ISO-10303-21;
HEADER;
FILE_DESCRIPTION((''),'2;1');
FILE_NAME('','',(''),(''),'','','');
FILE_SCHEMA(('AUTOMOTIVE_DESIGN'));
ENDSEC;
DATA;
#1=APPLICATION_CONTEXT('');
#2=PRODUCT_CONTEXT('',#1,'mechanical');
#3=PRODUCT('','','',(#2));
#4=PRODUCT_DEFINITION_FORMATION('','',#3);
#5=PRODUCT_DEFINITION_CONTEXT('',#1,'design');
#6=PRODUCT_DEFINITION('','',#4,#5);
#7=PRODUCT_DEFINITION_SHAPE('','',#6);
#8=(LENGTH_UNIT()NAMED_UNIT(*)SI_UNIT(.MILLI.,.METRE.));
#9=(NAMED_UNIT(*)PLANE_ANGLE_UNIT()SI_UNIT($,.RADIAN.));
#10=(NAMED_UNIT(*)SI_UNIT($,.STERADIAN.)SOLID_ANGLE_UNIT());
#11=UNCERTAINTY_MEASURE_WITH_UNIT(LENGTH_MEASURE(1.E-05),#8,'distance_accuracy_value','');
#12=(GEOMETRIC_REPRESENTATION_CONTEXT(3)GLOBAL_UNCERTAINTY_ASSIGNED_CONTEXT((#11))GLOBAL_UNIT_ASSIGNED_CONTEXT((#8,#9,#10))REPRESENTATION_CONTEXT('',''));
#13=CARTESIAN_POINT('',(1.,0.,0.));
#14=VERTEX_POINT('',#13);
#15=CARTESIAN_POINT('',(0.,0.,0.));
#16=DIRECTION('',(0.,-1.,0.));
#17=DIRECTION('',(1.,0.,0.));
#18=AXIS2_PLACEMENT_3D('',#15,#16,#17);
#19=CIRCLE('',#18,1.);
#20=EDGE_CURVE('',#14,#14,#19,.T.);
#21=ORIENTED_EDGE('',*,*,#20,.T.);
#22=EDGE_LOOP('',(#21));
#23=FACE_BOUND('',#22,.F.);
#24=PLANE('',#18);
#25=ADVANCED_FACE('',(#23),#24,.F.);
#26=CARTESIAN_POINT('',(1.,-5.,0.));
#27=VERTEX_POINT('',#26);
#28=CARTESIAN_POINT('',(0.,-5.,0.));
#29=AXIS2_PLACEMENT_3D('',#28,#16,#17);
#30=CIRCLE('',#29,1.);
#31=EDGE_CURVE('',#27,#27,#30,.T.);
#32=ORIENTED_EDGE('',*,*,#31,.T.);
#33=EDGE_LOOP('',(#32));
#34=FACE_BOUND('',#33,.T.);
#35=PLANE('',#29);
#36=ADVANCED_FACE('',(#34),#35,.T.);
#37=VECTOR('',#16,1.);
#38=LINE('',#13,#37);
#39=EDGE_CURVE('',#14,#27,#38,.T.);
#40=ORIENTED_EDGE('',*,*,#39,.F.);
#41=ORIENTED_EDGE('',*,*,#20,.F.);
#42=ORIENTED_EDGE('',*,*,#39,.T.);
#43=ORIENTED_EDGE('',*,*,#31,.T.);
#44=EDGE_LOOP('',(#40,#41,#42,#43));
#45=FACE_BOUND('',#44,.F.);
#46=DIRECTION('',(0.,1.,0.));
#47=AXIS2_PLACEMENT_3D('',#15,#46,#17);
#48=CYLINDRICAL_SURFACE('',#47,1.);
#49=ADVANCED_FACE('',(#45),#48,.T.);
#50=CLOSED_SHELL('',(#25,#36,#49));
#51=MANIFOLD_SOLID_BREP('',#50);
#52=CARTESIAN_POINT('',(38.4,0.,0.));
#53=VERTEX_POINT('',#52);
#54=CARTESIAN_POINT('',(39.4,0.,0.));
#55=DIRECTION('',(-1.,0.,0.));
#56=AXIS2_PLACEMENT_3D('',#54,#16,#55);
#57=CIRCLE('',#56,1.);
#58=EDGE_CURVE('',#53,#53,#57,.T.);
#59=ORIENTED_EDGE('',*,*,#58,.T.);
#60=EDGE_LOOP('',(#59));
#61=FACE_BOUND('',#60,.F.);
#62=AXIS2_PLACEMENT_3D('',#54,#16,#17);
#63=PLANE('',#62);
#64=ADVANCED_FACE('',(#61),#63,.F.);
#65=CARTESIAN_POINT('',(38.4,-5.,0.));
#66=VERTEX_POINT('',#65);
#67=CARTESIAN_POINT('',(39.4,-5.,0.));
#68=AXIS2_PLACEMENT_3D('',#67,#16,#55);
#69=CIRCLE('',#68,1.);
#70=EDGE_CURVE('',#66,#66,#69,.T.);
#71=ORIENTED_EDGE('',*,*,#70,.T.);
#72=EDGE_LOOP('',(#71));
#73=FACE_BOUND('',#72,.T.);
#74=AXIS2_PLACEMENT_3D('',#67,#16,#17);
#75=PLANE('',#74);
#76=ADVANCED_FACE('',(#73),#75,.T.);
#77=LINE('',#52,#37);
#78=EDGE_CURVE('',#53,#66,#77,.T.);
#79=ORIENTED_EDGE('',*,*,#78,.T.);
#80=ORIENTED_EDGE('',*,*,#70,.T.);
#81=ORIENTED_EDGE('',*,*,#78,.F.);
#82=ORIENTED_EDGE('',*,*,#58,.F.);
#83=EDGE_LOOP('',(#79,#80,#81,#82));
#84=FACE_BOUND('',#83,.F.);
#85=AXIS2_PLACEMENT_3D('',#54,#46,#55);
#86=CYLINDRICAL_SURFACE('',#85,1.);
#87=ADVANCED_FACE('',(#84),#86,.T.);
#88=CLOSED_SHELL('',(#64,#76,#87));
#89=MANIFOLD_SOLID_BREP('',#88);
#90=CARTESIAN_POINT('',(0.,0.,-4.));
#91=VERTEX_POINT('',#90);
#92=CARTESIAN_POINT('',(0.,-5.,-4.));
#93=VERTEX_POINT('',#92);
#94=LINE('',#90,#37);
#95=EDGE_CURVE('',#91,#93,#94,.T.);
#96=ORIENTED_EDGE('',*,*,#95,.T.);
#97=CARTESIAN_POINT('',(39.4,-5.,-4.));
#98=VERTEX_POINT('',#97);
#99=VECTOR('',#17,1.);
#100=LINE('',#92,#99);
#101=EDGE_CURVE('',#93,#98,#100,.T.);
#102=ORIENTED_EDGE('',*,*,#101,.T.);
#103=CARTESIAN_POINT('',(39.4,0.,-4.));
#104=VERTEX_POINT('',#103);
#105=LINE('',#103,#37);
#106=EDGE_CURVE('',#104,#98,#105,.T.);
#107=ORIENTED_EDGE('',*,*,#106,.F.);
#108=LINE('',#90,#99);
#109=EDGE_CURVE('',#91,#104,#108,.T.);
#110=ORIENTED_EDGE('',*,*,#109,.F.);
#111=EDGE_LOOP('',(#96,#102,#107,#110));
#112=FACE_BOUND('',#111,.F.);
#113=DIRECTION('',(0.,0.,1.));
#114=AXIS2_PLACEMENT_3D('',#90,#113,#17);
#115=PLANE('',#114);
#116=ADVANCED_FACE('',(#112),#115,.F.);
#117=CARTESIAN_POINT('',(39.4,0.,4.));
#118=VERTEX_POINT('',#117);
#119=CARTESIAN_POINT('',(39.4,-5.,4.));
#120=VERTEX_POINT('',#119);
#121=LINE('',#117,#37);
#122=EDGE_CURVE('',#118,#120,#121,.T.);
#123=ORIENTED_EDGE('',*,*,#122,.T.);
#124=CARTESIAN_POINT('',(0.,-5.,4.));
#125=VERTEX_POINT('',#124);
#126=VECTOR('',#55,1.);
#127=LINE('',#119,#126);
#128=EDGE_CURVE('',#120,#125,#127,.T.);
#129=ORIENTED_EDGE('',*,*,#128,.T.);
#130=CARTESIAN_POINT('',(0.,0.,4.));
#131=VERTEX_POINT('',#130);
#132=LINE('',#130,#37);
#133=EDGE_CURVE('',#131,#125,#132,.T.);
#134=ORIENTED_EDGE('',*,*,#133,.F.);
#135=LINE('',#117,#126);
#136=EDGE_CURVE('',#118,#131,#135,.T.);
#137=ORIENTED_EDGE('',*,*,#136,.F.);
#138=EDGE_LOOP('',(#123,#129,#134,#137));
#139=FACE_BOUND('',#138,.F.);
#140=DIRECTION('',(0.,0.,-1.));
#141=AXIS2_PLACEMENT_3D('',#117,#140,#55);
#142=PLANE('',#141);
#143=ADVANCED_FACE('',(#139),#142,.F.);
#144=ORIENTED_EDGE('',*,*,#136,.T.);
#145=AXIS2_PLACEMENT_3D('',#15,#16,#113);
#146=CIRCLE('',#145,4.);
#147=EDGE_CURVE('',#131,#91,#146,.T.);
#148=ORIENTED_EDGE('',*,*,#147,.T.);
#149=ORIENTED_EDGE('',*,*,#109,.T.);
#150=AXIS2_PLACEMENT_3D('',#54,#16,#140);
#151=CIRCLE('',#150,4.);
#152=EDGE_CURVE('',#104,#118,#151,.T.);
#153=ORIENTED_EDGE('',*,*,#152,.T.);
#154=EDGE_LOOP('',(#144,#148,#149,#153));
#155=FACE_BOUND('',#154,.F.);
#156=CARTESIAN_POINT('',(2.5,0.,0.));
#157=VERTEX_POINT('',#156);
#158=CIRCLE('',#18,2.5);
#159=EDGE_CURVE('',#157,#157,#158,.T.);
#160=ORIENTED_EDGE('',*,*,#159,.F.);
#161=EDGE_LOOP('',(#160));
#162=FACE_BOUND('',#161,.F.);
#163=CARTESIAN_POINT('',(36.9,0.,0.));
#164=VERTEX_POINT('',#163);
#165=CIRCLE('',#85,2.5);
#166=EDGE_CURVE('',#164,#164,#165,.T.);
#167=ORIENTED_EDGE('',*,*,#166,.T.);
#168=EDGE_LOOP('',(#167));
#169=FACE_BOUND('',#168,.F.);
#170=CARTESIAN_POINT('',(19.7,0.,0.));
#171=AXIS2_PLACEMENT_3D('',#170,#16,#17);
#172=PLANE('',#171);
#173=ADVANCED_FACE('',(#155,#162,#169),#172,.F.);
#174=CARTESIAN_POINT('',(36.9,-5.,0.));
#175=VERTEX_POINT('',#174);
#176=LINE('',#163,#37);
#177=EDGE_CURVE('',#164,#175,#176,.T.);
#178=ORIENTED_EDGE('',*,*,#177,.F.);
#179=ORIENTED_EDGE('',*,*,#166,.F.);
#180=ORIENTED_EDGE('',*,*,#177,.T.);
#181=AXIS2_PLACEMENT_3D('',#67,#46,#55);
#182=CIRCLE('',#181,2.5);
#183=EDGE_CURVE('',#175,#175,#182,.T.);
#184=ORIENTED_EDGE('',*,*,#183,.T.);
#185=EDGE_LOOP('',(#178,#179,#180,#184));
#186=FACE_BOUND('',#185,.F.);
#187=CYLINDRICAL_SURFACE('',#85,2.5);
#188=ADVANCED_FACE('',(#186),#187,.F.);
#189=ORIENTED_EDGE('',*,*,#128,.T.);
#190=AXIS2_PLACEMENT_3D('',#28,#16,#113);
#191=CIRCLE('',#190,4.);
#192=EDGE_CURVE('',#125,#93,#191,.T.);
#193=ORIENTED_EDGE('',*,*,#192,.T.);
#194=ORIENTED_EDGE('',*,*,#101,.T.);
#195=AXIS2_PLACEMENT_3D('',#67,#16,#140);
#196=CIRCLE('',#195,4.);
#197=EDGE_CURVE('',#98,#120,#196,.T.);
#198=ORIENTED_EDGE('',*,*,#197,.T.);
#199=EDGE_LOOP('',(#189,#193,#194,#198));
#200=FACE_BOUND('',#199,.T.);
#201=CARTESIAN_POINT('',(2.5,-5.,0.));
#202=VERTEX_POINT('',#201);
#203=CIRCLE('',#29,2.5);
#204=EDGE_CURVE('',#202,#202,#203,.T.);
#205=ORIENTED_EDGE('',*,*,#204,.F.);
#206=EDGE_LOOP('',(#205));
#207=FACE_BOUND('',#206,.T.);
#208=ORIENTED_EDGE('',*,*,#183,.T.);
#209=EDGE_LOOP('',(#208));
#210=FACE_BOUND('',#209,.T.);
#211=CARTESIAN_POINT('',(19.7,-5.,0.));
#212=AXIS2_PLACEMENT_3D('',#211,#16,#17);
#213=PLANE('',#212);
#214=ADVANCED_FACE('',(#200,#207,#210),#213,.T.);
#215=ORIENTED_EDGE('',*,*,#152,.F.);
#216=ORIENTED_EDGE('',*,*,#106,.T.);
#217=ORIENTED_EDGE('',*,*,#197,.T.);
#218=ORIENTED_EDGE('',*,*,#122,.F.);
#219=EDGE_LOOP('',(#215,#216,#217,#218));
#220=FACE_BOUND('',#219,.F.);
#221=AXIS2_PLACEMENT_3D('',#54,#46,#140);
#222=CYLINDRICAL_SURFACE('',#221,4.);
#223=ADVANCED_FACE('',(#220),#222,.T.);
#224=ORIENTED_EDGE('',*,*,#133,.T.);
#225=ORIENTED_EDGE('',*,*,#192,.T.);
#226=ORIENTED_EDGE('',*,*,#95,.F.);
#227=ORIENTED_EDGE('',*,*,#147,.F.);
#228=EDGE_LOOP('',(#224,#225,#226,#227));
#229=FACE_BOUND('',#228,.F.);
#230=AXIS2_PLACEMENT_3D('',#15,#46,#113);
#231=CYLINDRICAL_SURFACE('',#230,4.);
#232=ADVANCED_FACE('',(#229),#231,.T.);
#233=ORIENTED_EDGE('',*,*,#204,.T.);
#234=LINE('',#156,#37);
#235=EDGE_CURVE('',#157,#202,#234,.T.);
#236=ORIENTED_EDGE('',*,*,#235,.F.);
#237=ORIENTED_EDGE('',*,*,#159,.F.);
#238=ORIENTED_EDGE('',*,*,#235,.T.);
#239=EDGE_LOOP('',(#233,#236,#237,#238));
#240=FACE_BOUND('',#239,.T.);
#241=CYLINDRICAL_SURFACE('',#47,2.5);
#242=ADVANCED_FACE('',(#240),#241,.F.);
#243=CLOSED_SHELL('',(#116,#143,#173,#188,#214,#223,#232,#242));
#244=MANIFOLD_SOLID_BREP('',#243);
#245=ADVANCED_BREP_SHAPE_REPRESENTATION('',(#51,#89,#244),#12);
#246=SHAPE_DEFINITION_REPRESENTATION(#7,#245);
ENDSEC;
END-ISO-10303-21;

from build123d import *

# Parameters (mm, degrees)
F0_R     = 1
F1_DEPTH = 5
F0_R_2   = 2.5


with BuildPart() as f1:
    # F0 (on Front) → F1 (new body)
    with BuildSketch(Plane.XZ):
        Circle(F0_R)
    extrude(amount=F1_DEPTH)


with BuildPart() as f1b:
    # F0 (on Front) → F1, piece 2 (new body)
    with BuildSketch(Plane.XZ):
        with BuildLine():
            Line((39.4, 4), (0, 4))
            ThreePointArc((0, 4), (-4, 0), (0, -4))
            Line((0, -4), (39.4, -4))
            ThreePointArc((39.4, -4), (43.4, 0), (39.4, 4))
        make_face()
        Circle(F0_R_2, mode=Mode.SUBTRACT)
        with BuildLine():
            ThreePointArc((41.9, 0), (39.4, -2.5), (36.9, 0))
            ThreePointArc((36.9, 0), (39.4, 2.5), (41.9, 0))
        make_face(mode=Mode.SUBTRACT)
    extrude(amount=F1_DEPTH)


with BuildPart() as f1c:
    # F0 (on Front) → F1, piece 3 (new body)
    with BuildSketch(Plane.XZ):
        with BuildLine():
            ThreePointArc((40.4, 0), (39.4, 1), (38.4, 0))
            ThreePointArc((38.4, 0), (39.4, -1), (40.4, 0))
        make_face()
    extrude(amount=F1_DEPTH)


solid = Compound([f1.part, f1b.part, f1c.part])
